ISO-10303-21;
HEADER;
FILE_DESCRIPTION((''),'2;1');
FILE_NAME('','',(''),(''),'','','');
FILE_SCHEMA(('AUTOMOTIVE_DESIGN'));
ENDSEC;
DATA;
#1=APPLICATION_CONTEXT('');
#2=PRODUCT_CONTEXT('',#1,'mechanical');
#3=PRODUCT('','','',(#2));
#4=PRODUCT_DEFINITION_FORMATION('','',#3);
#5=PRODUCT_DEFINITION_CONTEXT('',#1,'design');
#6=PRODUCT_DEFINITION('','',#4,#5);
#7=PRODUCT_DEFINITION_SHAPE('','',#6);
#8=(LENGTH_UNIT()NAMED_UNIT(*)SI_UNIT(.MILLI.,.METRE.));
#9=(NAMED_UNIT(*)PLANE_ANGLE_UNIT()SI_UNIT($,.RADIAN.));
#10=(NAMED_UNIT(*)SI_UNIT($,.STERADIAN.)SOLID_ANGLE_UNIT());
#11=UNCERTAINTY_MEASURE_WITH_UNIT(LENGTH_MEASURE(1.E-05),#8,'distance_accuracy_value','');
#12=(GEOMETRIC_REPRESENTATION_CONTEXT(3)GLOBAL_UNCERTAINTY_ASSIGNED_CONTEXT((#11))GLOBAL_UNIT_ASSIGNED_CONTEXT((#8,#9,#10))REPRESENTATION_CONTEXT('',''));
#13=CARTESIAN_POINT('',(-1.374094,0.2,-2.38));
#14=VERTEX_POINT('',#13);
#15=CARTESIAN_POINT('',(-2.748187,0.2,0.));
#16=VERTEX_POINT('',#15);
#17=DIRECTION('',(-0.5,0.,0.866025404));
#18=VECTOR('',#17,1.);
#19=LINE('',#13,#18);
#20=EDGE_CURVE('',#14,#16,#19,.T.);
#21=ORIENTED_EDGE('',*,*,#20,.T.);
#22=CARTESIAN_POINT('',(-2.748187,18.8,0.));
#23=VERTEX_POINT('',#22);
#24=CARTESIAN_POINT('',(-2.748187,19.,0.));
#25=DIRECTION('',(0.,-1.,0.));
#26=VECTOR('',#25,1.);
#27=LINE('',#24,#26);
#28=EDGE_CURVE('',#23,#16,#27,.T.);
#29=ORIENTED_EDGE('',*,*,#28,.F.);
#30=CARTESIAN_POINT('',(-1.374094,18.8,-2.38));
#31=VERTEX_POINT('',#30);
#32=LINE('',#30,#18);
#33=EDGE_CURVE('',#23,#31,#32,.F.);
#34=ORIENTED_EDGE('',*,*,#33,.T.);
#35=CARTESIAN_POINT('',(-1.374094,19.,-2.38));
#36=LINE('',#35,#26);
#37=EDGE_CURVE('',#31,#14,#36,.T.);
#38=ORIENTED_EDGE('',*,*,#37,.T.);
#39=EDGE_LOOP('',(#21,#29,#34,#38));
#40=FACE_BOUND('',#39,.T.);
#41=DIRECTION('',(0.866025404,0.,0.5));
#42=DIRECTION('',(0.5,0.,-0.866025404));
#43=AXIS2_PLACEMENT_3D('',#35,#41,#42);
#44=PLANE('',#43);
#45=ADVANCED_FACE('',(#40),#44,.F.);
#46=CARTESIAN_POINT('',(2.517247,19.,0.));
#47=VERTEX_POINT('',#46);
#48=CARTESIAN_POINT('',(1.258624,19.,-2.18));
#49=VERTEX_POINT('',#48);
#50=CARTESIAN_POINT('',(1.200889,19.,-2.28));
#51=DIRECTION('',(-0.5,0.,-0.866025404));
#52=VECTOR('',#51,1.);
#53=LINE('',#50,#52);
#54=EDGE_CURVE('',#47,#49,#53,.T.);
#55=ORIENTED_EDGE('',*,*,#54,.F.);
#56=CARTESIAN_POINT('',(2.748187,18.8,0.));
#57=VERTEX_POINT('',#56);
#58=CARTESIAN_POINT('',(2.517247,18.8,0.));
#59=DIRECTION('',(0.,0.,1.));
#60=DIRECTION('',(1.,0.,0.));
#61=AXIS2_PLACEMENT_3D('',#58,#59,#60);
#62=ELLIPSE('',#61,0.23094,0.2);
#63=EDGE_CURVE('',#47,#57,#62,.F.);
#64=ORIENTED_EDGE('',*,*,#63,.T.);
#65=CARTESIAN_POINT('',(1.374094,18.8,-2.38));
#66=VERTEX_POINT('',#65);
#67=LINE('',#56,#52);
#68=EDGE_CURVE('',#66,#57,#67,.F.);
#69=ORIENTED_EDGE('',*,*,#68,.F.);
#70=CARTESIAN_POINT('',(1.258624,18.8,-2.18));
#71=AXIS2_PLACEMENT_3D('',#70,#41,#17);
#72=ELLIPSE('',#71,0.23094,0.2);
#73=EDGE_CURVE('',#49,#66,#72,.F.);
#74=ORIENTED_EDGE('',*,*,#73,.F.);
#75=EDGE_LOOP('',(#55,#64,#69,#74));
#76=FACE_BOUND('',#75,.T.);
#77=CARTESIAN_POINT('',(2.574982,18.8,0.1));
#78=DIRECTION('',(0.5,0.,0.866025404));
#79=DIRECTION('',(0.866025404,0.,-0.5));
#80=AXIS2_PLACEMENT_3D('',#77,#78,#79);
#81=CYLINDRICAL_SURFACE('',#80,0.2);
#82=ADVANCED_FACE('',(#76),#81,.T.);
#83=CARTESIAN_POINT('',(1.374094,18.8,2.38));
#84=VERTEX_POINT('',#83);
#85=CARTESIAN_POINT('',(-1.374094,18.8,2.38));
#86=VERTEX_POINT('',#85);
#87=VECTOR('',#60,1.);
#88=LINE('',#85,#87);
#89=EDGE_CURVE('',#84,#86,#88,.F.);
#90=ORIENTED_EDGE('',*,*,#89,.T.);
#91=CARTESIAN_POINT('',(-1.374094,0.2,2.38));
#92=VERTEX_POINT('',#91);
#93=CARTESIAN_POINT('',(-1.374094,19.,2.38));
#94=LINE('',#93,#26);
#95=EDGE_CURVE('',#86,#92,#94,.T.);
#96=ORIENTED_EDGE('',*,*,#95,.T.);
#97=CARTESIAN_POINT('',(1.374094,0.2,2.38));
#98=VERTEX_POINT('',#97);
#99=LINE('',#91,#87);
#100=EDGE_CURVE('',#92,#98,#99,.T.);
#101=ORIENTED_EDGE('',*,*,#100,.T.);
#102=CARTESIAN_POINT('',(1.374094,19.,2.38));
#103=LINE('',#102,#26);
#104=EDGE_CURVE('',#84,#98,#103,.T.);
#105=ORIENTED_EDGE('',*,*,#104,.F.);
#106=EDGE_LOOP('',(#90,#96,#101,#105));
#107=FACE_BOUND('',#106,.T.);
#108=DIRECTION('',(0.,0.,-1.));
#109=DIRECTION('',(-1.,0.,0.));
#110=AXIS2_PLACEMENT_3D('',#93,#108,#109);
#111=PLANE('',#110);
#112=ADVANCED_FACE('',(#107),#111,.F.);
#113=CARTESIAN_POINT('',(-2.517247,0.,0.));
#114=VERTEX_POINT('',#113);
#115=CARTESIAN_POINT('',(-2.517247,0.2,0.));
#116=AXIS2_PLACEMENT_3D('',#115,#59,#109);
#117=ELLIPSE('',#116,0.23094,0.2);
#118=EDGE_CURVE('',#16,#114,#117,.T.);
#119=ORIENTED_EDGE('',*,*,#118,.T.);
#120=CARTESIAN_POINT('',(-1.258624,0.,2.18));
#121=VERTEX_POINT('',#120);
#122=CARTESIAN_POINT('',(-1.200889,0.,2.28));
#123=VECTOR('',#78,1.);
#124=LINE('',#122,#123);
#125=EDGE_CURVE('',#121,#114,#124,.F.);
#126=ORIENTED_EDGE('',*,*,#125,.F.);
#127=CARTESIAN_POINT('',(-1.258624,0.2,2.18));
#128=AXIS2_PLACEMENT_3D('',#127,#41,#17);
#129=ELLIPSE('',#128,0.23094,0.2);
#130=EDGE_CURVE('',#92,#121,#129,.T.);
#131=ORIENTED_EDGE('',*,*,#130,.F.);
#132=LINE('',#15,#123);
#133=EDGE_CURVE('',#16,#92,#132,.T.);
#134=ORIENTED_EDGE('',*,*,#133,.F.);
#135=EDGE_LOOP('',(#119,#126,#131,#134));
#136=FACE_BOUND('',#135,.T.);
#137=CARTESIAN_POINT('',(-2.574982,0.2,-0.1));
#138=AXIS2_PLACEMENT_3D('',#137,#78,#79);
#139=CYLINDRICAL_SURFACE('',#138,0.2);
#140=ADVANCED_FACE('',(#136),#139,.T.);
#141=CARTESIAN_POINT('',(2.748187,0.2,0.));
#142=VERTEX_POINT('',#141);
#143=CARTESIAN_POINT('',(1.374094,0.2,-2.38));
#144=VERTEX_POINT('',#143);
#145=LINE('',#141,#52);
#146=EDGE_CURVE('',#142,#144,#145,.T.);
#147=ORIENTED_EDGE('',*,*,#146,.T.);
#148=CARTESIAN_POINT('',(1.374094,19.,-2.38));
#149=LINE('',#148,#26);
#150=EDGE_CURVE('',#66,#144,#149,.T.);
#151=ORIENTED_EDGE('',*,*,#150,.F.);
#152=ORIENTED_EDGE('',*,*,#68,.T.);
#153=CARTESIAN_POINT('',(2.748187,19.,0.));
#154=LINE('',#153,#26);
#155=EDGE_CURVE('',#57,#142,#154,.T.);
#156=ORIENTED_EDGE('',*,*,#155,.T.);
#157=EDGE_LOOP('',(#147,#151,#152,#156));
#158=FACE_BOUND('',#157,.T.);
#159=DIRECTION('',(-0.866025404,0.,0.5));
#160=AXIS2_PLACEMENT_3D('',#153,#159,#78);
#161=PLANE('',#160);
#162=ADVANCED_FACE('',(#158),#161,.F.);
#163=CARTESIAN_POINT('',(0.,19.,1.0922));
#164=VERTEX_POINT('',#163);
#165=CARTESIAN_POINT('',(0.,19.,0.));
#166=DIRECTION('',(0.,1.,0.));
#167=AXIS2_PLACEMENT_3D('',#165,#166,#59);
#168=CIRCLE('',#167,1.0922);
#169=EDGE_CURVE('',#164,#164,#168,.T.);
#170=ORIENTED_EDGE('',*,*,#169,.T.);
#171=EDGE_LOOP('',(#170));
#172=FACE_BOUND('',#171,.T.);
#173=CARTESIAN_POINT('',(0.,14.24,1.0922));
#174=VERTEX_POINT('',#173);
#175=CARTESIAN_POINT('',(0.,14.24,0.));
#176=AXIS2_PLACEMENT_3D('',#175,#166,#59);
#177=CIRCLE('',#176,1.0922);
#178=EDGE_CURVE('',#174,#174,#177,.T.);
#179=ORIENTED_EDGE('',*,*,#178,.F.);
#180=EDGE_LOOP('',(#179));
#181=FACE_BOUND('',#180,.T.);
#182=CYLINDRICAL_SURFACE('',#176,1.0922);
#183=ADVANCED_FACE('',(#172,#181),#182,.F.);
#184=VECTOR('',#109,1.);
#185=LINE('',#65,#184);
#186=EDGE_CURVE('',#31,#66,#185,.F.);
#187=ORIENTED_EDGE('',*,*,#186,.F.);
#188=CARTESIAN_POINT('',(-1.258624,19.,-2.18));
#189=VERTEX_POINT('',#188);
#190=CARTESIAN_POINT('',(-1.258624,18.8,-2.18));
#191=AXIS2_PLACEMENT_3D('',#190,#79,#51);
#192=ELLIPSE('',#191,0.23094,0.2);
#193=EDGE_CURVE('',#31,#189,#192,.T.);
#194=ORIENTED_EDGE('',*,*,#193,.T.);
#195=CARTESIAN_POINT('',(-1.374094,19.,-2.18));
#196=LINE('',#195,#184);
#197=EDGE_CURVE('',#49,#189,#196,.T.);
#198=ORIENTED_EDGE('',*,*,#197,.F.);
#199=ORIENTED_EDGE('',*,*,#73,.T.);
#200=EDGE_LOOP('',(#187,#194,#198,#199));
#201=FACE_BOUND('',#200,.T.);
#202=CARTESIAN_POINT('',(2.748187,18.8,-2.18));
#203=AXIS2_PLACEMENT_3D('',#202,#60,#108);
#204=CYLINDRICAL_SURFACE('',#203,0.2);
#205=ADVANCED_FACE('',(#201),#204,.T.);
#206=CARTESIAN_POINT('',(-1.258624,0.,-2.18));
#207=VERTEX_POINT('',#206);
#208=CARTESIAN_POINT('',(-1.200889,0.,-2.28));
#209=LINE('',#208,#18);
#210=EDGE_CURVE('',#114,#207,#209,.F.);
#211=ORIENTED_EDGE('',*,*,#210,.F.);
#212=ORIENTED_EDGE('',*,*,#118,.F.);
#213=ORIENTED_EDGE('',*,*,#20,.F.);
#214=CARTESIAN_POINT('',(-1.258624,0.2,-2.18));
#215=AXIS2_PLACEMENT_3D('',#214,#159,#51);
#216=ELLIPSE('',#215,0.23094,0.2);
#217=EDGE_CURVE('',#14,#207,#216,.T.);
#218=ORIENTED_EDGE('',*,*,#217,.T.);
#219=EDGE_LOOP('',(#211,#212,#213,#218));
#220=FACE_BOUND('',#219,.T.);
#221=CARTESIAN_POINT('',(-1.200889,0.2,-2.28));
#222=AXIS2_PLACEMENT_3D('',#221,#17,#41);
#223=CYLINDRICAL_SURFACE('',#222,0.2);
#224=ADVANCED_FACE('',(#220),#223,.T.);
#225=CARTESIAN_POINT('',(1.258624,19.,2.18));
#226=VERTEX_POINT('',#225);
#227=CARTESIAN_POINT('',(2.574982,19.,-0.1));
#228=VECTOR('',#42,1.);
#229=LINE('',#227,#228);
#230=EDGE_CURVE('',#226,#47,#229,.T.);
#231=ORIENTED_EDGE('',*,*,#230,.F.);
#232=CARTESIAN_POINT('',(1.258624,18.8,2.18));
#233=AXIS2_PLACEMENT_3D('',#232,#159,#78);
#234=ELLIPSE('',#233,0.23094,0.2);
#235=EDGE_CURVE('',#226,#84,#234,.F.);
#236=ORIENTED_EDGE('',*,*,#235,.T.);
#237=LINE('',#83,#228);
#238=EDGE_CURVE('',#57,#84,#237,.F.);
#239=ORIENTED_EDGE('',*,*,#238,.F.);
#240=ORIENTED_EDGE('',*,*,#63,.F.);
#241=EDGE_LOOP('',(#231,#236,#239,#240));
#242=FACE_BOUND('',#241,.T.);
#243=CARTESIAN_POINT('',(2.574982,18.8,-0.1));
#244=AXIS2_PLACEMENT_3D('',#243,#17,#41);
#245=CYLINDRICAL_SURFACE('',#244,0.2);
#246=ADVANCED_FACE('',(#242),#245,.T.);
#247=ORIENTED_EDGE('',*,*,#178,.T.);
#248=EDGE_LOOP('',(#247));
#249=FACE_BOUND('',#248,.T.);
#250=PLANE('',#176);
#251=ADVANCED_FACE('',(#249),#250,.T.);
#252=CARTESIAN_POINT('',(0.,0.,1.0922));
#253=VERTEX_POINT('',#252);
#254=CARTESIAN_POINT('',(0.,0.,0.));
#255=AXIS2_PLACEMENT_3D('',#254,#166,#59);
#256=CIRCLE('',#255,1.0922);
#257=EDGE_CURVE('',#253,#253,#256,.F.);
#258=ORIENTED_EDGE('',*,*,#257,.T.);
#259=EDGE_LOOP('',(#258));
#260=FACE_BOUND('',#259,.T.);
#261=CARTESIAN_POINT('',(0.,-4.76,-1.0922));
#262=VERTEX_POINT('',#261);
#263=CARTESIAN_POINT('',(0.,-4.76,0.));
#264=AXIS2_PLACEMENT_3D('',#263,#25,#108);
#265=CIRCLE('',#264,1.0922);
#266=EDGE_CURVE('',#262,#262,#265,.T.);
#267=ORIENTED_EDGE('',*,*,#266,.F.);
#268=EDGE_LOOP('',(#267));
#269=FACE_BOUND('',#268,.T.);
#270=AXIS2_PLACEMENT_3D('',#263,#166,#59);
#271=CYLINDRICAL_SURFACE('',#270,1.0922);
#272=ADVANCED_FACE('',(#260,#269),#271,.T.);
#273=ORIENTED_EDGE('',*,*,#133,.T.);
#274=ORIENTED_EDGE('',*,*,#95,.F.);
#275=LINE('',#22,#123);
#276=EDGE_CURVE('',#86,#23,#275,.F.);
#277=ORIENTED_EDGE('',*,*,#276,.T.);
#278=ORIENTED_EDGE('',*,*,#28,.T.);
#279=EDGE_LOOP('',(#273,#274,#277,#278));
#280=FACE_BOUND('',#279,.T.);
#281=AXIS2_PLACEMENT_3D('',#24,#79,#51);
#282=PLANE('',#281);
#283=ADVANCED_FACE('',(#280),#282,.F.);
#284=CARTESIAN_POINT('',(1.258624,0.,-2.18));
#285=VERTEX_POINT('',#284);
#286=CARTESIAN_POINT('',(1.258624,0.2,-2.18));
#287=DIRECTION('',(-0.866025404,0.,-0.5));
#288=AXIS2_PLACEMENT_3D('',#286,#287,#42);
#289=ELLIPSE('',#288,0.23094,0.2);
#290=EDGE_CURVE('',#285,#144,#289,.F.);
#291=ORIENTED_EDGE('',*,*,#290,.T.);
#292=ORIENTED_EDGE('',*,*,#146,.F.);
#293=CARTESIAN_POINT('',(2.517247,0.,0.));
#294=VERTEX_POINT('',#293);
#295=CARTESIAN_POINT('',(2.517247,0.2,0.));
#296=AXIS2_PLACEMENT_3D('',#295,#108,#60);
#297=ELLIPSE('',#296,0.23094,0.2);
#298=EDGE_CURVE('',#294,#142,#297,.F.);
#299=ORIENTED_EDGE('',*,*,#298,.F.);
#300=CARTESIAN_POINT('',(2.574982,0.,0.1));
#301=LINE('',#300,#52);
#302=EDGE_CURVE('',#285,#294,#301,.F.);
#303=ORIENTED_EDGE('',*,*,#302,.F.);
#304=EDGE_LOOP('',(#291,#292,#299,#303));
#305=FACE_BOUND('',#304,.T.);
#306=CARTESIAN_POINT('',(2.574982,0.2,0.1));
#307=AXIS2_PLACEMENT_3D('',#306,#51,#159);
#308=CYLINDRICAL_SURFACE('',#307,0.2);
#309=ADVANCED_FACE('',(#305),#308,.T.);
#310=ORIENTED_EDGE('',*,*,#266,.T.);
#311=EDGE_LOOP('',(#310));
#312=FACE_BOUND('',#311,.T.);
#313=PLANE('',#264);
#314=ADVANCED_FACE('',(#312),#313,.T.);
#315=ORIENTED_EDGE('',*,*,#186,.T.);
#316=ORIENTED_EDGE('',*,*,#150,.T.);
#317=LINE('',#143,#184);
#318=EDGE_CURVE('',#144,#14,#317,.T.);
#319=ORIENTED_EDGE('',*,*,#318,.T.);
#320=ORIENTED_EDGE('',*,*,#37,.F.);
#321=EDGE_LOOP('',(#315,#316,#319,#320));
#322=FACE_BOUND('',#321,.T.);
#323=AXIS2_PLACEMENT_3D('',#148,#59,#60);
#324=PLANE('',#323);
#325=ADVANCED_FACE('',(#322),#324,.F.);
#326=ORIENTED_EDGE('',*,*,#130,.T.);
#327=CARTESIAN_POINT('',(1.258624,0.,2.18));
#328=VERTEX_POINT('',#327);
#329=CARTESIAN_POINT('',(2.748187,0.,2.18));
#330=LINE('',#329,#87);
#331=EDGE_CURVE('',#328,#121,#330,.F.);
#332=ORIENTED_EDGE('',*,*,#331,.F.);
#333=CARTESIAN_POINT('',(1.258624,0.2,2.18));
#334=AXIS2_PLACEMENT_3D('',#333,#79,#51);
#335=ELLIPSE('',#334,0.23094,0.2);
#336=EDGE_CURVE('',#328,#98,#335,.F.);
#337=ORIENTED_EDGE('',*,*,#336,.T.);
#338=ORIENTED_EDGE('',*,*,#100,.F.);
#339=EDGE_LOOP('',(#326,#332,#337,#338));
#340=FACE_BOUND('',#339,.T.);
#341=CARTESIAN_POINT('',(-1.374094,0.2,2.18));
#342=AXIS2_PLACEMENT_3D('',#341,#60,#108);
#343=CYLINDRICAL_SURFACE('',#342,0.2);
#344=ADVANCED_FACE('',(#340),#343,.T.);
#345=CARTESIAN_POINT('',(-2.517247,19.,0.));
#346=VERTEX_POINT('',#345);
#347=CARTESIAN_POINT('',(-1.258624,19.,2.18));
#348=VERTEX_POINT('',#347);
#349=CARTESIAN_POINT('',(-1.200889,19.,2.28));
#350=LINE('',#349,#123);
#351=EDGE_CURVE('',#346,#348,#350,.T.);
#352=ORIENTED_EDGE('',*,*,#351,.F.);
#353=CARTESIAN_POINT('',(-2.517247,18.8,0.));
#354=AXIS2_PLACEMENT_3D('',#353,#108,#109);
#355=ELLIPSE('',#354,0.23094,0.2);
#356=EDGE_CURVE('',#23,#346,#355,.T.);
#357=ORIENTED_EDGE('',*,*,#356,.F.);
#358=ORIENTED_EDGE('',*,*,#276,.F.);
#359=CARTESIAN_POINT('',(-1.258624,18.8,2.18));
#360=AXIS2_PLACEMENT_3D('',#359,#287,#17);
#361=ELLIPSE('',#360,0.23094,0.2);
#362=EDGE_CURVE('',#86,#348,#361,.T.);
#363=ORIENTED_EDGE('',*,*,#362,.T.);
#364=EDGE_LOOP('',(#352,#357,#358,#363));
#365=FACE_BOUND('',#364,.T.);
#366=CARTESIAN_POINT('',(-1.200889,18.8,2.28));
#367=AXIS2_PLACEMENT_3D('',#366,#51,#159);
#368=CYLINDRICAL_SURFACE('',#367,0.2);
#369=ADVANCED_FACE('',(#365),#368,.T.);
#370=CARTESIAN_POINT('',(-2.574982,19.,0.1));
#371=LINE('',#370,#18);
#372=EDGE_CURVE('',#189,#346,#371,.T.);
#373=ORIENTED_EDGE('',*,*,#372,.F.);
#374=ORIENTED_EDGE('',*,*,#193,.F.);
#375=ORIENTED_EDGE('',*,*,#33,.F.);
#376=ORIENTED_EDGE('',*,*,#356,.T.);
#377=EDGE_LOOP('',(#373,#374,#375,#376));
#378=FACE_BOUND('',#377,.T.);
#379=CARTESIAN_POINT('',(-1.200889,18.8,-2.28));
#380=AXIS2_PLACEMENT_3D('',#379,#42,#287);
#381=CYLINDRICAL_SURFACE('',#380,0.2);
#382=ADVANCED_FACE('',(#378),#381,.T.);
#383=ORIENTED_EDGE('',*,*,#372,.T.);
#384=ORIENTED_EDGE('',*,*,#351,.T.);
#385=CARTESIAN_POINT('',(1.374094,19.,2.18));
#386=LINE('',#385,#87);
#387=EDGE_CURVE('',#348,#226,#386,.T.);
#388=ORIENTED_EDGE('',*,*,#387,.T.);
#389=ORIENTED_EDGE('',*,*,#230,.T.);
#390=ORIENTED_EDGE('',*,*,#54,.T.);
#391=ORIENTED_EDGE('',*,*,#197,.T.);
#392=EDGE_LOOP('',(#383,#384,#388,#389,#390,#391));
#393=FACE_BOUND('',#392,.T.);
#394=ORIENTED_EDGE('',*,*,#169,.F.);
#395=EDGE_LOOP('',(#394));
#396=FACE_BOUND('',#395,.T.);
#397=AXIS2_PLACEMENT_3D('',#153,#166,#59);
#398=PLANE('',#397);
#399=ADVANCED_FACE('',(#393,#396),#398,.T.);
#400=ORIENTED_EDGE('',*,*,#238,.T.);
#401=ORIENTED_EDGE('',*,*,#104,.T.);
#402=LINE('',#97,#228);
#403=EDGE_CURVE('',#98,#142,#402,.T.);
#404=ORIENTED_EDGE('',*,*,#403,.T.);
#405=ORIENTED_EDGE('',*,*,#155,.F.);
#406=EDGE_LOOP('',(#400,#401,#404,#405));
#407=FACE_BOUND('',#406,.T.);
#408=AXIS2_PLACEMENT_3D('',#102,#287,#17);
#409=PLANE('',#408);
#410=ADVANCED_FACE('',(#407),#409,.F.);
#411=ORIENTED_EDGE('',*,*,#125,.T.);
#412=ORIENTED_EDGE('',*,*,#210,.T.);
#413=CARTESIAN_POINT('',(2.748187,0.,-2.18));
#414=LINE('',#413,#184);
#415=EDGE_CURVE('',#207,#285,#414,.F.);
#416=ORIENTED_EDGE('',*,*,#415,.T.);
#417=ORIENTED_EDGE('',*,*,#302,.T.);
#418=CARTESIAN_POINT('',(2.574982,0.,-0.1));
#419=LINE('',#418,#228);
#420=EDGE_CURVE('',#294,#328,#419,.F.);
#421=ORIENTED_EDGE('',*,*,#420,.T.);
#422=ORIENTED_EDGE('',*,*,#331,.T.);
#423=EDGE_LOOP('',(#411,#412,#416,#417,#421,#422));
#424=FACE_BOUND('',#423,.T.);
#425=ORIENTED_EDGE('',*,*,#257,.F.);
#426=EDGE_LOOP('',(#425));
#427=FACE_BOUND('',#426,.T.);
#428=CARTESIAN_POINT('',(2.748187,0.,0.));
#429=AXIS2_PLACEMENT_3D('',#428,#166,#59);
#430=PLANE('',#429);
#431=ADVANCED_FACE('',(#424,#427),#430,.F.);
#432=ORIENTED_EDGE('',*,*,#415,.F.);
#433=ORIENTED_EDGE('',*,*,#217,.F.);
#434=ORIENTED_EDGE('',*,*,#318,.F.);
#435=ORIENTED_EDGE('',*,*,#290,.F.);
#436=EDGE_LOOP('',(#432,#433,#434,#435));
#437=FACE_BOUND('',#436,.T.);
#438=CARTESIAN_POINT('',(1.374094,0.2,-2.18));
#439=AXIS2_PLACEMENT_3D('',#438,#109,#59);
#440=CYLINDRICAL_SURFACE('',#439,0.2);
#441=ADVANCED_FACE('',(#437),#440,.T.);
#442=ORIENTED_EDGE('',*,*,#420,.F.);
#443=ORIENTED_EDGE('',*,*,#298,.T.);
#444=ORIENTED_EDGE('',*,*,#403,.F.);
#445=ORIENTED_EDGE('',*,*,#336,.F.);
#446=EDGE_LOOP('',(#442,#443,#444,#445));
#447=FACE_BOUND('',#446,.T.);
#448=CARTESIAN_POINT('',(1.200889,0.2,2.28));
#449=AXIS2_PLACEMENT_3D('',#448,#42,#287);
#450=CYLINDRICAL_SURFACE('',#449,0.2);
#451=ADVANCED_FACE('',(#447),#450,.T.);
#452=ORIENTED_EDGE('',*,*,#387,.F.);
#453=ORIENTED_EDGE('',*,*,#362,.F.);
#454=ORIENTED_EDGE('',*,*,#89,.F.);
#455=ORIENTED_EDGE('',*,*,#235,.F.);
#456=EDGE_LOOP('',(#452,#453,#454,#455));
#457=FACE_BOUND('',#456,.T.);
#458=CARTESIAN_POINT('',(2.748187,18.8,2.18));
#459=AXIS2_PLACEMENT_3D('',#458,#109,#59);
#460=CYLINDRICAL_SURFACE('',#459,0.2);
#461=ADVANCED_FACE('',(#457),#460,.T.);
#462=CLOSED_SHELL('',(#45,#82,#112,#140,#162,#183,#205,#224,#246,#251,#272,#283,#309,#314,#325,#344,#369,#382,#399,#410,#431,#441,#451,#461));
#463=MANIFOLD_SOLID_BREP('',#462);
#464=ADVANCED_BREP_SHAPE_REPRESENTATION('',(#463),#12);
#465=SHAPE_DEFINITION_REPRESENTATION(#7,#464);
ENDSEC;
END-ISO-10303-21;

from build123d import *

# Parameters (mm, degrees)
RESSALTO_EXTRUS_O1_DEPTH = 19
FILETE1_R                = 0.2
ESBO_O2_R                = 1.0922
RESSALTO_EXTRUS_O2_DEPTH = 4.76
ESBO_O3_R                = 1.0922
CORTE_EXTRUS_O1_DEPTH    = 4.76


with BuildPart() as part:
    # Esboço1 → Ressalto-extrusão1 (new body)
    with BuildSketch(Plane(origin=(0, 0, 0), x_dir=(1, 0, 0), z_dir=(0, 1, 0))):
        Polygon((2.748187281, 0), (1.374093641, 2.38), (-1.374093641, 2.38), (-2.748187281, 0), (-1.374093641, -2.38), (1.374093641, -2.38), align=None)
    extrude(amount=RESSALTO_EXTRUS_O1_DEPTH)

    # Filete1
    filete1_edges = [part.edges().sort_by_distance(p)[0] for p in [
        (0, 19, -2.38),
        (-2.061140461, 19, -1.19),
        (-2.061140461, 19, 1.19),
        (0, 19, 2.38),
        (2.061140461, 19, 1.19),
        (0, 0, 2.38),
        (-2.061140461, 0, 1.19),
        (-2.061140461, 0, -1.19),
        (2.061140461, 19, -1.19),
        (0, 0, -2.38),
        (2.061140461, 0, -1.19),
        (2.061140461, 0, 1.19),
    ]]
    fillet(filete1_edges, radius=FILETE1_R)

    # Esboço2 → Ressalto-extrusão2 (add)
    with BuildSketch(Plane.XZ):
        Circle(ESBO_O2_R)
    extrude(amount=RESSALTO_EXTRUS_O2_DEPTH)

    # Esboço3 → Corte-extrusão1 (cut)
    with BuildSketch(Plane(origin=(0, 19, 0), x_dir=(1, 0, 0), z_dir=(0, 1, 0))):
        Circle(ESBO_O3_R)
    extrude(amount=-CORTE_EXTRUS_O1_DEPTH, mode=Mode.SUBTRACT)


solid = part.part
